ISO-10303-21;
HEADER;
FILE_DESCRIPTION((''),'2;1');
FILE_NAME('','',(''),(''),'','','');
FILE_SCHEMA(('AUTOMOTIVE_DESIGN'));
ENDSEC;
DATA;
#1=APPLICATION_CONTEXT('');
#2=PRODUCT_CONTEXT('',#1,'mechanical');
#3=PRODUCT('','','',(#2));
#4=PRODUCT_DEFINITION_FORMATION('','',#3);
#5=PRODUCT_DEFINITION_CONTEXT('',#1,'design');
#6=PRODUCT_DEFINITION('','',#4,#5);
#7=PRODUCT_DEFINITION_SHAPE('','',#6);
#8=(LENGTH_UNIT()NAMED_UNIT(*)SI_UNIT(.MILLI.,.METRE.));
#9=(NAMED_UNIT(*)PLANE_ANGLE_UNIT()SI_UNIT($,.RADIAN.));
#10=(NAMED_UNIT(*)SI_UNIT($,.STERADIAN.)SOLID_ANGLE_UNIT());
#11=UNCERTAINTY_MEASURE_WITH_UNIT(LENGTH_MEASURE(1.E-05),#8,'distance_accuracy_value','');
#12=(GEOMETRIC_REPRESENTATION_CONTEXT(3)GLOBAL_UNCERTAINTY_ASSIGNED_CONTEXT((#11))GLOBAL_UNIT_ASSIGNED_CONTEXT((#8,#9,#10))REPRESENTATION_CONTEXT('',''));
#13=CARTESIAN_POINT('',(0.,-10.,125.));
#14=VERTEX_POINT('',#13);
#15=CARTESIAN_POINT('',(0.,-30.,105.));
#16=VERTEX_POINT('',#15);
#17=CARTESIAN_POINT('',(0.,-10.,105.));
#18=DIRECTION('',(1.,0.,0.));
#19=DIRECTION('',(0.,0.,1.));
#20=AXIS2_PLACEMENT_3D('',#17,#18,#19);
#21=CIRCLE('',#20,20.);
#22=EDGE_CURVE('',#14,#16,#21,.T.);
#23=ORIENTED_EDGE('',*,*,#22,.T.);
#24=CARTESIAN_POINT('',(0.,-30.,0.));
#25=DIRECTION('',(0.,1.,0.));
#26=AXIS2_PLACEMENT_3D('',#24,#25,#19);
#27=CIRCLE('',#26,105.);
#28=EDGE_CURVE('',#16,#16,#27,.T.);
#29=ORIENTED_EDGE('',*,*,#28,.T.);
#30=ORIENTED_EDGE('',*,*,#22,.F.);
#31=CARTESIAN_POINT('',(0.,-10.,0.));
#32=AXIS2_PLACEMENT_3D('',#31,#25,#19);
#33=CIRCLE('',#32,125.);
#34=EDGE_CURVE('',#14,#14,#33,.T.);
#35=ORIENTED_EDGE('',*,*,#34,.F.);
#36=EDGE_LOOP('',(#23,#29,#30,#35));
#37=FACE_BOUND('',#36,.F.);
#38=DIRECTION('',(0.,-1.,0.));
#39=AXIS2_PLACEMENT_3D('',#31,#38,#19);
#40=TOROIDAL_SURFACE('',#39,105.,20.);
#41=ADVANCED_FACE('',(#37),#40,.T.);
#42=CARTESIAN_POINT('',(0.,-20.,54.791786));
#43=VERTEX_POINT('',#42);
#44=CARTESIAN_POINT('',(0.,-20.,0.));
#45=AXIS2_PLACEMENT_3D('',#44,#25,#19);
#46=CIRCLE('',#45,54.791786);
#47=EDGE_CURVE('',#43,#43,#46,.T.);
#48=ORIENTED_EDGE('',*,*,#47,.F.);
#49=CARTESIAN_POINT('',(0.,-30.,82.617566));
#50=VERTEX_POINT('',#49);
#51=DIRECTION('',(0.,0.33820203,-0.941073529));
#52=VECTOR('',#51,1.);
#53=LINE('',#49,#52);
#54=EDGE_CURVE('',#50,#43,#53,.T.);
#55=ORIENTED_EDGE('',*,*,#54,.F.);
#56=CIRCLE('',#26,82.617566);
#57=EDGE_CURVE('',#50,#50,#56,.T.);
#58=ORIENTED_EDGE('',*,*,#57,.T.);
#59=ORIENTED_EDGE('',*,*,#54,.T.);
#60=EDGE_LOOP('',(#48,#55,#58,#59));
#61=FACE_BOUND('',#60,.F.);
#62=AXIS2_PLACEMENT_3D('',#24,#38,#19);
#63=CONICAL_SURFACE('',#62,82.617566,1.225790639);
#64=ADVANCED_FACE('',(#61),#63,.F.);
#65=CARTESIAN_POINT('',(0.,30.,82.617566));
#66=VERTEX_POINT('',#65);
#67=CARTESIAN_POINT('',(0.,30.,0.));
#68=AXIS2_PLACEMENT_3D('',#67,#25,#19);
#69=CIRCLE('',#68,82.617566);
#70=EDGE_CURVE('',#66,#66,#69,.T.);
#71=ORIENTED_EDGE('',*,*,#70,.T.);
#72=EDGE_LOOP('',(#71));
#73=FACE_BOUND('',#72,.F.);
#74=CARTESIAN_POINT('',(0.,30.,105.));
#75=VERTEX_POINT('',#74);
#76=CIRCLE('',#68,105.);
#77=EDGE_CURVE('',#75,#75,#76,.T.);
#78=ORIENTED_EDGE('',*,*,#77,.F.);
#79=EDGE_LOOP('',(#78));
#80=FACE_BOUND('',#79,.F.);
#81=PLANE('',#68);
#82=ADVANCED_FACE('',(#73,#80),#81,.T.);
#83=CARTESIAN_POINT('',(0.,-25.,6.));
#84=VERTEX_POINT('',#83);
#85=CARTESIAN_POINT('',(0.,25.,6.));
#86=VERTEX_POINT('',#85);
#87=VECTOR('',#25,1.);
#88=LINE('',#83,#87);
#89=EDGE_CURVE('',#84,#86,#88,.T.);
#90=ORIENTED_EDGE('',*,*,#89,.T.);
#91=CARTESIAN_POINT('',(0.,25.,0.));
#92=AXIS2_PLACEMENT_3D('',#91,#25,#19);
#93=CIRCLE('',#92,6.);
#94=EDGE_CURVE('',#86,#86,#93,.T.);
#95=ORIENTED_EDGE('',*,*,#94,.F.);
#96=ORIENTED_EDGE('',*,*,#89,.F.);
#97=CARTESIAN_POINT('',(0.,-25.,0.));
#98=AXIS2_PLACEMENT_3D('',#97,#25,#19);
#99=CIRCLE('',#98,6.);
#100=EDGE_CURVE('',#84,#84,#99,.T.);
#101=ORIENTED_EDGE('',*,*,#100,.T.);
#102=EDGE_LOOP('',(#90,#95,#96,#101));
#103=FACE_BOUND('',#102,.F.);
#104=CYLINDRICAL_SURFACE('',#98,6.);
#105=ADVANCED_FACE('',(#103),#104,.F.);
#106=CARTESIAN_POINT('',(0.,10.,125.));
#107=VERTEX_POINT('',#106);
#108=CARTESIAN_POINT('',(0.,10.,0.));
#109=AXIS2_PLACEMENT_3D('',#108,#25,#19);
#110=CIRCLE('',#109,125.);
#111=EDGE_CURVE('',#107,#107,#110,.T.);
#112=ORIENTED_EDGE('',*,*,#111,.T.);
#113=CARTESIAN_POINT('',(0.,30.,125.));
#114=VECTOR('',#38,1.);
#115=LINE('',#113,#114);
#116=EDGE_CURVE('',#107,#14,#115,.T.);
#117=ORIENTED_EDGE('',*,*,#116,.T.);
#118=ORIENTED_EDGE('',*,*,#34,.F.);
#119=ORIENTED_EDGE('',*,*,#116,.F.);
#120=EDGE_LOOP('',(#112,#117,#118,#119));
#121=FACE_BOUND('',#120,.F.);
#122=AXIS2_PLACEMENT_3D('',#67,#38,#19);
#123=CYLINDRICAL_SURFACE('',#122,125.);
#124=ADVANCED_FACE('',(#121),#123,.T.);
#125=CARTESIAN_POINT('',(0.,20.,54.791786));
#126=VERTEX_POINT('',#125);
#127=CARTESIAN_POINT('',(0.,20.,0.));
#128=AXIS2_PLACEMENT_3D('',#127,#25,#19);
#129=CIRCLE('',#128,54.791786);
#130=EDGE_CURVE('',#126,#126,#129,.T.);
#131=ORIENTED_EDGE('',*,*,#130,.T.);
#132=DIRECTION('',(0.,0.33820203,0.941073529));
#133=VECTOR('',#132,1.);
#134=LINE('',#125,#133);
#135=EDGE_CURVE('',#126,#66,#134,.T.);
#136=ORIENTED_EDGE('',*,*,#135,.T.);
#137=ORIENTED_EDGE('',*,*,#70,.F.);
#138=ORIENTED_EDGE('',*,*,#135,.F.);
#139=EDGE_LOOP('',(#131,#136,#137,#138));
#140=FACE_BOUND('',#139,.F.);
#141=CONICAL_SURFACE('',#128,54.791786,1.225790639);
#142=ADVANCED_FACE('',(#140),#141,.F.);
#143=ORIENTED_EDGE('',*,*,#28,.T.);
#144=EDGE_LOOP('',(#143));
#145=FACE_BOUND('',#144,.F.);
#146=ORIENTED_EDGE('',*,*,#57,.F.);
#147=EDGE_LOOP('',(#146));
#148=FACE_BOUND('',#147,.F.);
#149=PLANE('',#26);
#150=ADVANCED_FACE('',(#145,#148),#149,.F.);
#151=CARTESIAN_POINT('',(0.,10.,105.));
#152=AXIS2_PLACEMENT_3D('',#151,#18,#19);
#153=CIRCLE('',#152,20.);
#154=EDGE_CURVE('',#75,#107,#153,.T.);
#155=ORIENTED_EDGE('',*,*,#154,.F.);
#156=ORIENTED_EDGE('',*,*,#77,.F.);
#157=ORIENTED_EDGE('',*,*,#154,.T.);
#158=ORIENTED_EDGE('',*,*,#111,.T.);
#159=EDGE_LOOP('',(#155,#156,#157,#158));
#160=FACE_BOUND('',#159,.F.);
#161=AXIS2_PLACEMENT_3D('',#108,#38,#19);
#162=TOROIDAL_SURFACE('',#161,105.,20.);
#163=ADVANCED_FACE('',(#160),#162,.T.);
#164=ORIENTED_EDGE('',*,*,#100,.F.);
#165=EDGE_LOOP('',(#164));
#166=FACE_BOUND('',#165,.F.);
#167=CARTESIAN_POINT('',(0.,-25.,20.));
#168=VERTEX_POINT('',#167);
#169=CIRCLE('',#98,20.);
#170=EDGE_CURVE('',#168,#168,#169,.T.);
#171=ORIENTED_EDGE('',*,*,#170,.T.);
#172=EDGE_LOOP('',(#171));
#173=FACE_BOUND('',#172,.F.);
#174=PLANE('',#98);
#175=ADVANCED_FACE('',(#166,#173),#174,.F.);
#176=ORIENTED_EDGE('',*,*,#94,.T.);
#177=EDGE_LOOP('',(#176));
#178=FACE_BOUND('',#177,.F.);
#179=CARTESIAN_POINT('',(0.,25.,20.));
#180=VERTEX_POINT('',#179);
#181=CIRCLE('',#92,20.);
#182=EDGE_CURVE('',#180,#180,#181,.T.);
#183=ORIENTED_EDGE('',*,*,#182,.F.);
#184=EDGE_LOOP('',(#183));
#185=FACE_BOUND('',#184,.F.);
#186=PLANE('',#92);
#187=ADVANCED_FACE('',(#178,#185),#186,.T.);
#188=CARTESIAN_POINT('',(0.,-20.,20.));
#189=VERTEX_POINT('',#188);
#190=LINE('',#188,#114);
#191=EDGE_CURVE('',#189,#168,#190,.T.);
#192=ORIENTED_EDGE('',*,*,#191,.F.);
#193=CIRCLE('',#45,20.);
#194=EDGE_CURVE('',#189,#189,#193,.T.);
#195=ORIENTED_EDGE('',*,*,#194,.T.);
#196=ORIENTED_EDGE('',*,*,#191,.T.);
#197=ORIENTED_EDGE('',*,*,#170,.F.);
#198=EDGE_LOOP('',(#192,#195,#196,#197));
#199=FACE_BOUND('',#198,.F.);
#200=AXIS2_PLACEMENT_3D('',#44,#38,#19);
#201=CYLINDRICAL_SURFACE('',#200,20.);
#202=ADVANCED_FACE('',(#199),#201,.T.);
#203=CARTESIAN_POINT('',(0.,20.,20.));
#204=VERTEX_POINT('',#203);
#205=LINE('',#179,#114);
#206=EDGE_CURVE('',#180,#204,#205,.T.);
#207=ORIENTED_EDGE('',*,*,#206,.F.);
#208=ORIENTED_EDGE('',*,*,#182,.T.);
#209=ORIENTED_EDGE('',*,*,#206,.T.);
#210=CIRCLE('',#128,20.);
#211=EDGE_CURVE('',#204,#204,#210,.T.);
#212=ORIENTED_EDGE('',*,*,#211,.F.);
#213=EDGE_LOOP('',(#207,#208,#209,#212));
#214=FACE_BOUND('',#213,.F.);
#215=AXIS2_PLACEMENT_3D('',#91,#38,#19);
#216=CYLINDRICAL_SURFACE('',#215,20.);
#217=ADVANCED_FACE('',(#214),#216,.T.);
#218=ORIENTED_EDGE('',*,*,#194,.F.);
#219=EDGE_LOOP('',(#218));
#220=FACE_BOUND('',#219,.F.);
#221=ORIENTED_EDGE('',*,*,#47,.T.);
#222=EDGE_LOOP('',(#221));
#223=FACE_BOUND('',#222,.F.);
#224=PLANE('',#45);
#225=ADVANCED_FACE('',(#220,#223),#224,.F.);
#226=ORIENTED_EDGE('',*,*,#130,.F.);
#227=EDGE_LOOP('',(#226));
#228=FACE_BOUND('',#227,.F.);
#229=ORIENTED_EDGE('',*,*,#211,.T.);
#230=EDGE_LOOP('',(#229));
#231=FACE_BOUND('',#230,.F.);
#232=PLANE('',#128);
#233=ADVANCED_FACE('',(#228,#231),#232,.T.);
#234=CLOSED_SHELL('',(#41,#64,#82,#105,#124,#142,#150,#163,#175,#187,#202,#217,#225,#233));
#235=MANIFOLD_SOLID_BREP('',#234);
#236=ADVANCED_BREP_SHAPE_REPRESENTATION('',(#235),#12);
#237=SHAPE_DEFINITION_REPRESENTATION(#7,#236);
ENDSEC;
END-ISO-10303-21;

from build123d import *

# Parameters (mm, degrees)
F2_R = 20


with BuildPart() as f1:
    # F0 (on Right) → F1 (revolve)
    with BuildSketch(Plane.YZ):
        Polygon((-30, 82.617566), (-20, 54.791786), (-20, 20), (-25, 20), (-25, 6), (0, 6), (20, 6), (25, 6), (25, 20), (20, 20), (20, 54.791786), (30, 82.617566), (30, 125), (0, 125), (-30, 125), align=None)
    revolve(axis=Axis((0, 0.420819, 0), (0, 1, 0)))

    # F2
    f2_edges = [f1.edges().sort_by_distance(p)[0] for p in [
        (0, -30, -125),
        (0, 30, -125),
    ]]
    fillet(f2_edges, radius=F2_R)


solid = f1.part
